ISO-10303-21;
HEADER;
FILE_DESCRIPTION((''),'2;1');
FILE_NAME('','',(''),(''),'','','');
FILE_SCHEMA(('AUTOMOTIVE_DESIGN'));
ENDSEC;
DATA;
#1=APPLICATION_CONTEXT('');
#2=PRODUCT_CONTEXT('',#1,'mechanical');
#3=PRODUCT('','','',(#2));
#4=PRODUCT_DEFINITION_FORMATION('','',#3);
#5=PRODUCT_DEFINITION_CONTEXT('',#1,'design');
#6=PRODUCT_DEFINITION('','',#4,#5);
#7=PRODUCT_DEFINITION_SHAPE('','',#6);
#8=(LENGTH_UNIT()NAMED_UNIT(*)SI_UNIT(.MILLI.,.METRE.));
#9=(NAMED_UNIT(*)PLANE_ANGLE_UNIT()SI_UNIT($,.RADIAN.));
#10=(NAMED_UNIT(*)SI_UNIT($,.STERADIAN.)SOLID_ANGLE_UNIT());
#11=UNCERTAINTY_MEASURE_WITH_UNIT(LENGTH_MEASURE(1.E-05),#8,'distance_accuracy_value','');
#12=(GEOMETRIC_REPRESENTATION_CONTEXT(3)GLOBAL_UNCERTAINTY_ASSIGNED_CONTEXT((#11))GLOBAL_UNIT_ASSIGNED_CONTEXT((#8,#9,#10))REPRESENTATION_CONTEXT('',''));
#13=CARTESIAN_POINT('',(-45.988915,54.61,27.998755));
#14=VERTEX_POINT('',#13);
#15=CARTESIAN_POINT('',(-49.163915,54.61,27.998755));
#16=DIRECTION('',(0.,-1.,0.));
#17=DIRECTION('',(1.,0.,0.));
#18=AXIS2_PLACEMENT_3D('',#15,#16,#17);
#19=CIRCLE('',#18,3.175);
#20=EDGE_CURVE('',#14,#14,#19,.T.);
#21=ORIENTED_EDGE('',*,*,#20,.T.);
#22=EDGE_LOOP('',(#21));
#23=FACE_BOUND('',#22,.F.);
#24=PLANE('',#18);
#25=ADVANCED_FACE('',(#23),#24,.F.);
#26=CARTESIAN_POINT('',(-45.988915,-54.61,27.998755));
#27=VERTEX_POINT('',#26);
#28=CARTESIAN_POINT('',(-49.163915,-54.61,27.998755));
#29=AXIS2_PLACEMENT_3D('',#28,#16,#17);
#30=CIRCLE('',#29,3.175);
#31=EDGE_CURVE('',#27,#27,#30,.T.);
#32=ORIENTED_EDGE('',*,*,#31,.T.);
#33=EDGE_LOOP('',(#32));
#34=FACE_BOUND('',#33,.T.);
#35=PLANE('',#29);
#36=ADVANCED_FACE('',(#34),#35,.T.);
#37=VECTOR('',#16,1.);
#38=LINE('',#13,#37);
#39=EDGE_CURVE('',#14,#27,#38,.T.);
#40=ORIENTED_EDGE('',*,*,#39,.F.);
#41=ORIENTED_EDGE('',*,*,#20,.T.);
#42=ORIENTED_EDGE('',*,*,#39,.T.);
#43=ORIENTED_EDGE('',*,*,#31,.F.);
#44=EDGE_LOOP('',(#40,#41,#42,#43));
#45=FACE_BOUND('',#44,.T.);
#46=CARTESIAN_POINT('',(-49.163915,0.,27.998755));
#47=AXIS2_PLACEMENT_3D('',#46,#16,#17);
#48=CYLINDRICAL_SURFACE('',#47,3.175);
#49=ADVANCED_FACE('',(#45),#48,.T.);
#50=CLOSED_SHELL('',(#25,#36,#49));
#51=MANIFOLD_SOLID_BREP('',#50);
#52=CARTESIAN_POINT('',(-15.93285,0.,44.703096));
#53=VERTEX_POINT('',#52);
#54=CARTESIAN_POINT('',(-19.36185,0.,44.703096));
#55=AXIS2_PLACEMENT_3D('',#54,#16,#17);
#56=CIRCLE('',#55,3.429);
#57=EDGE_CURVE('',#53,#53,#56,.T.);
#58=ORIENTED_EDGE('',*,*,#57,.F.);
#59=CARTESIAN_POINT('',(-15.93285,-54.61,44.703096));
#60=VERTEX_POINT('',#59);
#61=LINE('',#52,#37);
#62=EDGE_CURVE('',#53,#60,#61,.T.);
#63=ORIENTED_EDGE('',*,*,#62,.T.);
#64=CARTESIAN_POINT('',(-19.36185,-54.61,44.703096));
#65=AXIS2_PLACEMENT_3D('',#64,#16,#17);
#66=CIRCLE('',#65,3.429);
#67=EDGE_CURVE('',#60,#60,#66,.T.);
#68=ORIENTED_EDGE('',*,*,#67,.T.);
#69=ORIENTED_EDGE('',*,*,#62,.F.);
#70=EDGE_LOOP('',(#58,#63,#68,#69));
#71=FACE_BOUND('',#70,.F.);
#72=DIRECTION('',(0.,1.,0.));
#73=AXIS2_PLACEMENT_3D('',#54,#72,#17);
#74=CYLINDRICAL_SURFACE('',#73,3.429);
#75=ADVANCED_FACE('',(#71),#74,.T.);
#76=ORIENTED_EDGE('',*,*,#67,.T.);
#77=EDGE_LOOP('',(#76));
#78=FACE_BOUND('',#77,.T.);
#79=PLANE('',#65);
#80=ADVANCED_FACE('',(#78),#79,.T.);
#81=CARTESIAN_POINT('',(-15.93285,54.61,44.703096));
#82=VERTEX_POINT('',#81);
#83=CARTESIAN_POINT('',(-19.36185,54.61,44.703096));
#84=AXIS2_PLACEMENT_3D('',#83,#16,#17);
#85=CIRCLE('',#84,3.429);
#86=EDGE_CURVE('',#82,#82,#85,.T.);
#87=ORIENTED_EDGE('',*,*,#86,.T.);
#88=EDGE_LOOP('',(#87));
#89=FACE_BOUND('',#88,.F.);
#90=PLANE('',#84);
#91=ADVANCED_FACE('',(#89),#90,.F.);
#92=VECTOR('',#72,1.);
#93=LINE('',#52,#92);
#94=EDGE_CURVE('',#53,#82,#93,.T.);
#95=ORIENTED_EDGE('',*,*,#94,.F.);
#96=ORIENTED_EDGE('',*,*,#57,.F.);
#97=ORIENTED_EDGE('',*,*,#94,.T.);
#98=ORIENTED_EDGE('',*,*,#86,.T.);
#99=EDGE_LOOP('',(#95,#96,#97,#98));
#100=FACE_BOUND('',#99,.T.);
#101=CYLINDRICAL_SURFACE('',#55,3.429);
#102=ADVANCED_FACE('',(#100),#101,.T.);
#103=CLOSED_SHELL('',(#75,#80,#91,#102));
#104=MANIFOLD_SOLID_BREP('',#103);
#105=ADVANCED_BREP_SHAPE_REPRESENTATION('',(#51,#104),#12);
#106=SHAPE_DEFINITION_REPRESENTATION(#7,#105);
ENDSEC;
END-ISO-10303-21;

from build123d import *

# Parameters (mm, degrees)
F0_R     = 3.429
F0_R_2   = 3.175
F1_DEPTH = 54.61


with BuildPart() as f1:
    # F0 (on Front) → F1 (new body, symmetric)
    with BuildSketch(Plane.XZ):
        with Locations((-19.36185, 44.703096)):
            Circle(F0_R)
        with Locations((-49.163915, 27.998755)):
            Circle(F0_R_2)
    extrude(amount=F1_DEPTH, both=True)


solid = f1.part
